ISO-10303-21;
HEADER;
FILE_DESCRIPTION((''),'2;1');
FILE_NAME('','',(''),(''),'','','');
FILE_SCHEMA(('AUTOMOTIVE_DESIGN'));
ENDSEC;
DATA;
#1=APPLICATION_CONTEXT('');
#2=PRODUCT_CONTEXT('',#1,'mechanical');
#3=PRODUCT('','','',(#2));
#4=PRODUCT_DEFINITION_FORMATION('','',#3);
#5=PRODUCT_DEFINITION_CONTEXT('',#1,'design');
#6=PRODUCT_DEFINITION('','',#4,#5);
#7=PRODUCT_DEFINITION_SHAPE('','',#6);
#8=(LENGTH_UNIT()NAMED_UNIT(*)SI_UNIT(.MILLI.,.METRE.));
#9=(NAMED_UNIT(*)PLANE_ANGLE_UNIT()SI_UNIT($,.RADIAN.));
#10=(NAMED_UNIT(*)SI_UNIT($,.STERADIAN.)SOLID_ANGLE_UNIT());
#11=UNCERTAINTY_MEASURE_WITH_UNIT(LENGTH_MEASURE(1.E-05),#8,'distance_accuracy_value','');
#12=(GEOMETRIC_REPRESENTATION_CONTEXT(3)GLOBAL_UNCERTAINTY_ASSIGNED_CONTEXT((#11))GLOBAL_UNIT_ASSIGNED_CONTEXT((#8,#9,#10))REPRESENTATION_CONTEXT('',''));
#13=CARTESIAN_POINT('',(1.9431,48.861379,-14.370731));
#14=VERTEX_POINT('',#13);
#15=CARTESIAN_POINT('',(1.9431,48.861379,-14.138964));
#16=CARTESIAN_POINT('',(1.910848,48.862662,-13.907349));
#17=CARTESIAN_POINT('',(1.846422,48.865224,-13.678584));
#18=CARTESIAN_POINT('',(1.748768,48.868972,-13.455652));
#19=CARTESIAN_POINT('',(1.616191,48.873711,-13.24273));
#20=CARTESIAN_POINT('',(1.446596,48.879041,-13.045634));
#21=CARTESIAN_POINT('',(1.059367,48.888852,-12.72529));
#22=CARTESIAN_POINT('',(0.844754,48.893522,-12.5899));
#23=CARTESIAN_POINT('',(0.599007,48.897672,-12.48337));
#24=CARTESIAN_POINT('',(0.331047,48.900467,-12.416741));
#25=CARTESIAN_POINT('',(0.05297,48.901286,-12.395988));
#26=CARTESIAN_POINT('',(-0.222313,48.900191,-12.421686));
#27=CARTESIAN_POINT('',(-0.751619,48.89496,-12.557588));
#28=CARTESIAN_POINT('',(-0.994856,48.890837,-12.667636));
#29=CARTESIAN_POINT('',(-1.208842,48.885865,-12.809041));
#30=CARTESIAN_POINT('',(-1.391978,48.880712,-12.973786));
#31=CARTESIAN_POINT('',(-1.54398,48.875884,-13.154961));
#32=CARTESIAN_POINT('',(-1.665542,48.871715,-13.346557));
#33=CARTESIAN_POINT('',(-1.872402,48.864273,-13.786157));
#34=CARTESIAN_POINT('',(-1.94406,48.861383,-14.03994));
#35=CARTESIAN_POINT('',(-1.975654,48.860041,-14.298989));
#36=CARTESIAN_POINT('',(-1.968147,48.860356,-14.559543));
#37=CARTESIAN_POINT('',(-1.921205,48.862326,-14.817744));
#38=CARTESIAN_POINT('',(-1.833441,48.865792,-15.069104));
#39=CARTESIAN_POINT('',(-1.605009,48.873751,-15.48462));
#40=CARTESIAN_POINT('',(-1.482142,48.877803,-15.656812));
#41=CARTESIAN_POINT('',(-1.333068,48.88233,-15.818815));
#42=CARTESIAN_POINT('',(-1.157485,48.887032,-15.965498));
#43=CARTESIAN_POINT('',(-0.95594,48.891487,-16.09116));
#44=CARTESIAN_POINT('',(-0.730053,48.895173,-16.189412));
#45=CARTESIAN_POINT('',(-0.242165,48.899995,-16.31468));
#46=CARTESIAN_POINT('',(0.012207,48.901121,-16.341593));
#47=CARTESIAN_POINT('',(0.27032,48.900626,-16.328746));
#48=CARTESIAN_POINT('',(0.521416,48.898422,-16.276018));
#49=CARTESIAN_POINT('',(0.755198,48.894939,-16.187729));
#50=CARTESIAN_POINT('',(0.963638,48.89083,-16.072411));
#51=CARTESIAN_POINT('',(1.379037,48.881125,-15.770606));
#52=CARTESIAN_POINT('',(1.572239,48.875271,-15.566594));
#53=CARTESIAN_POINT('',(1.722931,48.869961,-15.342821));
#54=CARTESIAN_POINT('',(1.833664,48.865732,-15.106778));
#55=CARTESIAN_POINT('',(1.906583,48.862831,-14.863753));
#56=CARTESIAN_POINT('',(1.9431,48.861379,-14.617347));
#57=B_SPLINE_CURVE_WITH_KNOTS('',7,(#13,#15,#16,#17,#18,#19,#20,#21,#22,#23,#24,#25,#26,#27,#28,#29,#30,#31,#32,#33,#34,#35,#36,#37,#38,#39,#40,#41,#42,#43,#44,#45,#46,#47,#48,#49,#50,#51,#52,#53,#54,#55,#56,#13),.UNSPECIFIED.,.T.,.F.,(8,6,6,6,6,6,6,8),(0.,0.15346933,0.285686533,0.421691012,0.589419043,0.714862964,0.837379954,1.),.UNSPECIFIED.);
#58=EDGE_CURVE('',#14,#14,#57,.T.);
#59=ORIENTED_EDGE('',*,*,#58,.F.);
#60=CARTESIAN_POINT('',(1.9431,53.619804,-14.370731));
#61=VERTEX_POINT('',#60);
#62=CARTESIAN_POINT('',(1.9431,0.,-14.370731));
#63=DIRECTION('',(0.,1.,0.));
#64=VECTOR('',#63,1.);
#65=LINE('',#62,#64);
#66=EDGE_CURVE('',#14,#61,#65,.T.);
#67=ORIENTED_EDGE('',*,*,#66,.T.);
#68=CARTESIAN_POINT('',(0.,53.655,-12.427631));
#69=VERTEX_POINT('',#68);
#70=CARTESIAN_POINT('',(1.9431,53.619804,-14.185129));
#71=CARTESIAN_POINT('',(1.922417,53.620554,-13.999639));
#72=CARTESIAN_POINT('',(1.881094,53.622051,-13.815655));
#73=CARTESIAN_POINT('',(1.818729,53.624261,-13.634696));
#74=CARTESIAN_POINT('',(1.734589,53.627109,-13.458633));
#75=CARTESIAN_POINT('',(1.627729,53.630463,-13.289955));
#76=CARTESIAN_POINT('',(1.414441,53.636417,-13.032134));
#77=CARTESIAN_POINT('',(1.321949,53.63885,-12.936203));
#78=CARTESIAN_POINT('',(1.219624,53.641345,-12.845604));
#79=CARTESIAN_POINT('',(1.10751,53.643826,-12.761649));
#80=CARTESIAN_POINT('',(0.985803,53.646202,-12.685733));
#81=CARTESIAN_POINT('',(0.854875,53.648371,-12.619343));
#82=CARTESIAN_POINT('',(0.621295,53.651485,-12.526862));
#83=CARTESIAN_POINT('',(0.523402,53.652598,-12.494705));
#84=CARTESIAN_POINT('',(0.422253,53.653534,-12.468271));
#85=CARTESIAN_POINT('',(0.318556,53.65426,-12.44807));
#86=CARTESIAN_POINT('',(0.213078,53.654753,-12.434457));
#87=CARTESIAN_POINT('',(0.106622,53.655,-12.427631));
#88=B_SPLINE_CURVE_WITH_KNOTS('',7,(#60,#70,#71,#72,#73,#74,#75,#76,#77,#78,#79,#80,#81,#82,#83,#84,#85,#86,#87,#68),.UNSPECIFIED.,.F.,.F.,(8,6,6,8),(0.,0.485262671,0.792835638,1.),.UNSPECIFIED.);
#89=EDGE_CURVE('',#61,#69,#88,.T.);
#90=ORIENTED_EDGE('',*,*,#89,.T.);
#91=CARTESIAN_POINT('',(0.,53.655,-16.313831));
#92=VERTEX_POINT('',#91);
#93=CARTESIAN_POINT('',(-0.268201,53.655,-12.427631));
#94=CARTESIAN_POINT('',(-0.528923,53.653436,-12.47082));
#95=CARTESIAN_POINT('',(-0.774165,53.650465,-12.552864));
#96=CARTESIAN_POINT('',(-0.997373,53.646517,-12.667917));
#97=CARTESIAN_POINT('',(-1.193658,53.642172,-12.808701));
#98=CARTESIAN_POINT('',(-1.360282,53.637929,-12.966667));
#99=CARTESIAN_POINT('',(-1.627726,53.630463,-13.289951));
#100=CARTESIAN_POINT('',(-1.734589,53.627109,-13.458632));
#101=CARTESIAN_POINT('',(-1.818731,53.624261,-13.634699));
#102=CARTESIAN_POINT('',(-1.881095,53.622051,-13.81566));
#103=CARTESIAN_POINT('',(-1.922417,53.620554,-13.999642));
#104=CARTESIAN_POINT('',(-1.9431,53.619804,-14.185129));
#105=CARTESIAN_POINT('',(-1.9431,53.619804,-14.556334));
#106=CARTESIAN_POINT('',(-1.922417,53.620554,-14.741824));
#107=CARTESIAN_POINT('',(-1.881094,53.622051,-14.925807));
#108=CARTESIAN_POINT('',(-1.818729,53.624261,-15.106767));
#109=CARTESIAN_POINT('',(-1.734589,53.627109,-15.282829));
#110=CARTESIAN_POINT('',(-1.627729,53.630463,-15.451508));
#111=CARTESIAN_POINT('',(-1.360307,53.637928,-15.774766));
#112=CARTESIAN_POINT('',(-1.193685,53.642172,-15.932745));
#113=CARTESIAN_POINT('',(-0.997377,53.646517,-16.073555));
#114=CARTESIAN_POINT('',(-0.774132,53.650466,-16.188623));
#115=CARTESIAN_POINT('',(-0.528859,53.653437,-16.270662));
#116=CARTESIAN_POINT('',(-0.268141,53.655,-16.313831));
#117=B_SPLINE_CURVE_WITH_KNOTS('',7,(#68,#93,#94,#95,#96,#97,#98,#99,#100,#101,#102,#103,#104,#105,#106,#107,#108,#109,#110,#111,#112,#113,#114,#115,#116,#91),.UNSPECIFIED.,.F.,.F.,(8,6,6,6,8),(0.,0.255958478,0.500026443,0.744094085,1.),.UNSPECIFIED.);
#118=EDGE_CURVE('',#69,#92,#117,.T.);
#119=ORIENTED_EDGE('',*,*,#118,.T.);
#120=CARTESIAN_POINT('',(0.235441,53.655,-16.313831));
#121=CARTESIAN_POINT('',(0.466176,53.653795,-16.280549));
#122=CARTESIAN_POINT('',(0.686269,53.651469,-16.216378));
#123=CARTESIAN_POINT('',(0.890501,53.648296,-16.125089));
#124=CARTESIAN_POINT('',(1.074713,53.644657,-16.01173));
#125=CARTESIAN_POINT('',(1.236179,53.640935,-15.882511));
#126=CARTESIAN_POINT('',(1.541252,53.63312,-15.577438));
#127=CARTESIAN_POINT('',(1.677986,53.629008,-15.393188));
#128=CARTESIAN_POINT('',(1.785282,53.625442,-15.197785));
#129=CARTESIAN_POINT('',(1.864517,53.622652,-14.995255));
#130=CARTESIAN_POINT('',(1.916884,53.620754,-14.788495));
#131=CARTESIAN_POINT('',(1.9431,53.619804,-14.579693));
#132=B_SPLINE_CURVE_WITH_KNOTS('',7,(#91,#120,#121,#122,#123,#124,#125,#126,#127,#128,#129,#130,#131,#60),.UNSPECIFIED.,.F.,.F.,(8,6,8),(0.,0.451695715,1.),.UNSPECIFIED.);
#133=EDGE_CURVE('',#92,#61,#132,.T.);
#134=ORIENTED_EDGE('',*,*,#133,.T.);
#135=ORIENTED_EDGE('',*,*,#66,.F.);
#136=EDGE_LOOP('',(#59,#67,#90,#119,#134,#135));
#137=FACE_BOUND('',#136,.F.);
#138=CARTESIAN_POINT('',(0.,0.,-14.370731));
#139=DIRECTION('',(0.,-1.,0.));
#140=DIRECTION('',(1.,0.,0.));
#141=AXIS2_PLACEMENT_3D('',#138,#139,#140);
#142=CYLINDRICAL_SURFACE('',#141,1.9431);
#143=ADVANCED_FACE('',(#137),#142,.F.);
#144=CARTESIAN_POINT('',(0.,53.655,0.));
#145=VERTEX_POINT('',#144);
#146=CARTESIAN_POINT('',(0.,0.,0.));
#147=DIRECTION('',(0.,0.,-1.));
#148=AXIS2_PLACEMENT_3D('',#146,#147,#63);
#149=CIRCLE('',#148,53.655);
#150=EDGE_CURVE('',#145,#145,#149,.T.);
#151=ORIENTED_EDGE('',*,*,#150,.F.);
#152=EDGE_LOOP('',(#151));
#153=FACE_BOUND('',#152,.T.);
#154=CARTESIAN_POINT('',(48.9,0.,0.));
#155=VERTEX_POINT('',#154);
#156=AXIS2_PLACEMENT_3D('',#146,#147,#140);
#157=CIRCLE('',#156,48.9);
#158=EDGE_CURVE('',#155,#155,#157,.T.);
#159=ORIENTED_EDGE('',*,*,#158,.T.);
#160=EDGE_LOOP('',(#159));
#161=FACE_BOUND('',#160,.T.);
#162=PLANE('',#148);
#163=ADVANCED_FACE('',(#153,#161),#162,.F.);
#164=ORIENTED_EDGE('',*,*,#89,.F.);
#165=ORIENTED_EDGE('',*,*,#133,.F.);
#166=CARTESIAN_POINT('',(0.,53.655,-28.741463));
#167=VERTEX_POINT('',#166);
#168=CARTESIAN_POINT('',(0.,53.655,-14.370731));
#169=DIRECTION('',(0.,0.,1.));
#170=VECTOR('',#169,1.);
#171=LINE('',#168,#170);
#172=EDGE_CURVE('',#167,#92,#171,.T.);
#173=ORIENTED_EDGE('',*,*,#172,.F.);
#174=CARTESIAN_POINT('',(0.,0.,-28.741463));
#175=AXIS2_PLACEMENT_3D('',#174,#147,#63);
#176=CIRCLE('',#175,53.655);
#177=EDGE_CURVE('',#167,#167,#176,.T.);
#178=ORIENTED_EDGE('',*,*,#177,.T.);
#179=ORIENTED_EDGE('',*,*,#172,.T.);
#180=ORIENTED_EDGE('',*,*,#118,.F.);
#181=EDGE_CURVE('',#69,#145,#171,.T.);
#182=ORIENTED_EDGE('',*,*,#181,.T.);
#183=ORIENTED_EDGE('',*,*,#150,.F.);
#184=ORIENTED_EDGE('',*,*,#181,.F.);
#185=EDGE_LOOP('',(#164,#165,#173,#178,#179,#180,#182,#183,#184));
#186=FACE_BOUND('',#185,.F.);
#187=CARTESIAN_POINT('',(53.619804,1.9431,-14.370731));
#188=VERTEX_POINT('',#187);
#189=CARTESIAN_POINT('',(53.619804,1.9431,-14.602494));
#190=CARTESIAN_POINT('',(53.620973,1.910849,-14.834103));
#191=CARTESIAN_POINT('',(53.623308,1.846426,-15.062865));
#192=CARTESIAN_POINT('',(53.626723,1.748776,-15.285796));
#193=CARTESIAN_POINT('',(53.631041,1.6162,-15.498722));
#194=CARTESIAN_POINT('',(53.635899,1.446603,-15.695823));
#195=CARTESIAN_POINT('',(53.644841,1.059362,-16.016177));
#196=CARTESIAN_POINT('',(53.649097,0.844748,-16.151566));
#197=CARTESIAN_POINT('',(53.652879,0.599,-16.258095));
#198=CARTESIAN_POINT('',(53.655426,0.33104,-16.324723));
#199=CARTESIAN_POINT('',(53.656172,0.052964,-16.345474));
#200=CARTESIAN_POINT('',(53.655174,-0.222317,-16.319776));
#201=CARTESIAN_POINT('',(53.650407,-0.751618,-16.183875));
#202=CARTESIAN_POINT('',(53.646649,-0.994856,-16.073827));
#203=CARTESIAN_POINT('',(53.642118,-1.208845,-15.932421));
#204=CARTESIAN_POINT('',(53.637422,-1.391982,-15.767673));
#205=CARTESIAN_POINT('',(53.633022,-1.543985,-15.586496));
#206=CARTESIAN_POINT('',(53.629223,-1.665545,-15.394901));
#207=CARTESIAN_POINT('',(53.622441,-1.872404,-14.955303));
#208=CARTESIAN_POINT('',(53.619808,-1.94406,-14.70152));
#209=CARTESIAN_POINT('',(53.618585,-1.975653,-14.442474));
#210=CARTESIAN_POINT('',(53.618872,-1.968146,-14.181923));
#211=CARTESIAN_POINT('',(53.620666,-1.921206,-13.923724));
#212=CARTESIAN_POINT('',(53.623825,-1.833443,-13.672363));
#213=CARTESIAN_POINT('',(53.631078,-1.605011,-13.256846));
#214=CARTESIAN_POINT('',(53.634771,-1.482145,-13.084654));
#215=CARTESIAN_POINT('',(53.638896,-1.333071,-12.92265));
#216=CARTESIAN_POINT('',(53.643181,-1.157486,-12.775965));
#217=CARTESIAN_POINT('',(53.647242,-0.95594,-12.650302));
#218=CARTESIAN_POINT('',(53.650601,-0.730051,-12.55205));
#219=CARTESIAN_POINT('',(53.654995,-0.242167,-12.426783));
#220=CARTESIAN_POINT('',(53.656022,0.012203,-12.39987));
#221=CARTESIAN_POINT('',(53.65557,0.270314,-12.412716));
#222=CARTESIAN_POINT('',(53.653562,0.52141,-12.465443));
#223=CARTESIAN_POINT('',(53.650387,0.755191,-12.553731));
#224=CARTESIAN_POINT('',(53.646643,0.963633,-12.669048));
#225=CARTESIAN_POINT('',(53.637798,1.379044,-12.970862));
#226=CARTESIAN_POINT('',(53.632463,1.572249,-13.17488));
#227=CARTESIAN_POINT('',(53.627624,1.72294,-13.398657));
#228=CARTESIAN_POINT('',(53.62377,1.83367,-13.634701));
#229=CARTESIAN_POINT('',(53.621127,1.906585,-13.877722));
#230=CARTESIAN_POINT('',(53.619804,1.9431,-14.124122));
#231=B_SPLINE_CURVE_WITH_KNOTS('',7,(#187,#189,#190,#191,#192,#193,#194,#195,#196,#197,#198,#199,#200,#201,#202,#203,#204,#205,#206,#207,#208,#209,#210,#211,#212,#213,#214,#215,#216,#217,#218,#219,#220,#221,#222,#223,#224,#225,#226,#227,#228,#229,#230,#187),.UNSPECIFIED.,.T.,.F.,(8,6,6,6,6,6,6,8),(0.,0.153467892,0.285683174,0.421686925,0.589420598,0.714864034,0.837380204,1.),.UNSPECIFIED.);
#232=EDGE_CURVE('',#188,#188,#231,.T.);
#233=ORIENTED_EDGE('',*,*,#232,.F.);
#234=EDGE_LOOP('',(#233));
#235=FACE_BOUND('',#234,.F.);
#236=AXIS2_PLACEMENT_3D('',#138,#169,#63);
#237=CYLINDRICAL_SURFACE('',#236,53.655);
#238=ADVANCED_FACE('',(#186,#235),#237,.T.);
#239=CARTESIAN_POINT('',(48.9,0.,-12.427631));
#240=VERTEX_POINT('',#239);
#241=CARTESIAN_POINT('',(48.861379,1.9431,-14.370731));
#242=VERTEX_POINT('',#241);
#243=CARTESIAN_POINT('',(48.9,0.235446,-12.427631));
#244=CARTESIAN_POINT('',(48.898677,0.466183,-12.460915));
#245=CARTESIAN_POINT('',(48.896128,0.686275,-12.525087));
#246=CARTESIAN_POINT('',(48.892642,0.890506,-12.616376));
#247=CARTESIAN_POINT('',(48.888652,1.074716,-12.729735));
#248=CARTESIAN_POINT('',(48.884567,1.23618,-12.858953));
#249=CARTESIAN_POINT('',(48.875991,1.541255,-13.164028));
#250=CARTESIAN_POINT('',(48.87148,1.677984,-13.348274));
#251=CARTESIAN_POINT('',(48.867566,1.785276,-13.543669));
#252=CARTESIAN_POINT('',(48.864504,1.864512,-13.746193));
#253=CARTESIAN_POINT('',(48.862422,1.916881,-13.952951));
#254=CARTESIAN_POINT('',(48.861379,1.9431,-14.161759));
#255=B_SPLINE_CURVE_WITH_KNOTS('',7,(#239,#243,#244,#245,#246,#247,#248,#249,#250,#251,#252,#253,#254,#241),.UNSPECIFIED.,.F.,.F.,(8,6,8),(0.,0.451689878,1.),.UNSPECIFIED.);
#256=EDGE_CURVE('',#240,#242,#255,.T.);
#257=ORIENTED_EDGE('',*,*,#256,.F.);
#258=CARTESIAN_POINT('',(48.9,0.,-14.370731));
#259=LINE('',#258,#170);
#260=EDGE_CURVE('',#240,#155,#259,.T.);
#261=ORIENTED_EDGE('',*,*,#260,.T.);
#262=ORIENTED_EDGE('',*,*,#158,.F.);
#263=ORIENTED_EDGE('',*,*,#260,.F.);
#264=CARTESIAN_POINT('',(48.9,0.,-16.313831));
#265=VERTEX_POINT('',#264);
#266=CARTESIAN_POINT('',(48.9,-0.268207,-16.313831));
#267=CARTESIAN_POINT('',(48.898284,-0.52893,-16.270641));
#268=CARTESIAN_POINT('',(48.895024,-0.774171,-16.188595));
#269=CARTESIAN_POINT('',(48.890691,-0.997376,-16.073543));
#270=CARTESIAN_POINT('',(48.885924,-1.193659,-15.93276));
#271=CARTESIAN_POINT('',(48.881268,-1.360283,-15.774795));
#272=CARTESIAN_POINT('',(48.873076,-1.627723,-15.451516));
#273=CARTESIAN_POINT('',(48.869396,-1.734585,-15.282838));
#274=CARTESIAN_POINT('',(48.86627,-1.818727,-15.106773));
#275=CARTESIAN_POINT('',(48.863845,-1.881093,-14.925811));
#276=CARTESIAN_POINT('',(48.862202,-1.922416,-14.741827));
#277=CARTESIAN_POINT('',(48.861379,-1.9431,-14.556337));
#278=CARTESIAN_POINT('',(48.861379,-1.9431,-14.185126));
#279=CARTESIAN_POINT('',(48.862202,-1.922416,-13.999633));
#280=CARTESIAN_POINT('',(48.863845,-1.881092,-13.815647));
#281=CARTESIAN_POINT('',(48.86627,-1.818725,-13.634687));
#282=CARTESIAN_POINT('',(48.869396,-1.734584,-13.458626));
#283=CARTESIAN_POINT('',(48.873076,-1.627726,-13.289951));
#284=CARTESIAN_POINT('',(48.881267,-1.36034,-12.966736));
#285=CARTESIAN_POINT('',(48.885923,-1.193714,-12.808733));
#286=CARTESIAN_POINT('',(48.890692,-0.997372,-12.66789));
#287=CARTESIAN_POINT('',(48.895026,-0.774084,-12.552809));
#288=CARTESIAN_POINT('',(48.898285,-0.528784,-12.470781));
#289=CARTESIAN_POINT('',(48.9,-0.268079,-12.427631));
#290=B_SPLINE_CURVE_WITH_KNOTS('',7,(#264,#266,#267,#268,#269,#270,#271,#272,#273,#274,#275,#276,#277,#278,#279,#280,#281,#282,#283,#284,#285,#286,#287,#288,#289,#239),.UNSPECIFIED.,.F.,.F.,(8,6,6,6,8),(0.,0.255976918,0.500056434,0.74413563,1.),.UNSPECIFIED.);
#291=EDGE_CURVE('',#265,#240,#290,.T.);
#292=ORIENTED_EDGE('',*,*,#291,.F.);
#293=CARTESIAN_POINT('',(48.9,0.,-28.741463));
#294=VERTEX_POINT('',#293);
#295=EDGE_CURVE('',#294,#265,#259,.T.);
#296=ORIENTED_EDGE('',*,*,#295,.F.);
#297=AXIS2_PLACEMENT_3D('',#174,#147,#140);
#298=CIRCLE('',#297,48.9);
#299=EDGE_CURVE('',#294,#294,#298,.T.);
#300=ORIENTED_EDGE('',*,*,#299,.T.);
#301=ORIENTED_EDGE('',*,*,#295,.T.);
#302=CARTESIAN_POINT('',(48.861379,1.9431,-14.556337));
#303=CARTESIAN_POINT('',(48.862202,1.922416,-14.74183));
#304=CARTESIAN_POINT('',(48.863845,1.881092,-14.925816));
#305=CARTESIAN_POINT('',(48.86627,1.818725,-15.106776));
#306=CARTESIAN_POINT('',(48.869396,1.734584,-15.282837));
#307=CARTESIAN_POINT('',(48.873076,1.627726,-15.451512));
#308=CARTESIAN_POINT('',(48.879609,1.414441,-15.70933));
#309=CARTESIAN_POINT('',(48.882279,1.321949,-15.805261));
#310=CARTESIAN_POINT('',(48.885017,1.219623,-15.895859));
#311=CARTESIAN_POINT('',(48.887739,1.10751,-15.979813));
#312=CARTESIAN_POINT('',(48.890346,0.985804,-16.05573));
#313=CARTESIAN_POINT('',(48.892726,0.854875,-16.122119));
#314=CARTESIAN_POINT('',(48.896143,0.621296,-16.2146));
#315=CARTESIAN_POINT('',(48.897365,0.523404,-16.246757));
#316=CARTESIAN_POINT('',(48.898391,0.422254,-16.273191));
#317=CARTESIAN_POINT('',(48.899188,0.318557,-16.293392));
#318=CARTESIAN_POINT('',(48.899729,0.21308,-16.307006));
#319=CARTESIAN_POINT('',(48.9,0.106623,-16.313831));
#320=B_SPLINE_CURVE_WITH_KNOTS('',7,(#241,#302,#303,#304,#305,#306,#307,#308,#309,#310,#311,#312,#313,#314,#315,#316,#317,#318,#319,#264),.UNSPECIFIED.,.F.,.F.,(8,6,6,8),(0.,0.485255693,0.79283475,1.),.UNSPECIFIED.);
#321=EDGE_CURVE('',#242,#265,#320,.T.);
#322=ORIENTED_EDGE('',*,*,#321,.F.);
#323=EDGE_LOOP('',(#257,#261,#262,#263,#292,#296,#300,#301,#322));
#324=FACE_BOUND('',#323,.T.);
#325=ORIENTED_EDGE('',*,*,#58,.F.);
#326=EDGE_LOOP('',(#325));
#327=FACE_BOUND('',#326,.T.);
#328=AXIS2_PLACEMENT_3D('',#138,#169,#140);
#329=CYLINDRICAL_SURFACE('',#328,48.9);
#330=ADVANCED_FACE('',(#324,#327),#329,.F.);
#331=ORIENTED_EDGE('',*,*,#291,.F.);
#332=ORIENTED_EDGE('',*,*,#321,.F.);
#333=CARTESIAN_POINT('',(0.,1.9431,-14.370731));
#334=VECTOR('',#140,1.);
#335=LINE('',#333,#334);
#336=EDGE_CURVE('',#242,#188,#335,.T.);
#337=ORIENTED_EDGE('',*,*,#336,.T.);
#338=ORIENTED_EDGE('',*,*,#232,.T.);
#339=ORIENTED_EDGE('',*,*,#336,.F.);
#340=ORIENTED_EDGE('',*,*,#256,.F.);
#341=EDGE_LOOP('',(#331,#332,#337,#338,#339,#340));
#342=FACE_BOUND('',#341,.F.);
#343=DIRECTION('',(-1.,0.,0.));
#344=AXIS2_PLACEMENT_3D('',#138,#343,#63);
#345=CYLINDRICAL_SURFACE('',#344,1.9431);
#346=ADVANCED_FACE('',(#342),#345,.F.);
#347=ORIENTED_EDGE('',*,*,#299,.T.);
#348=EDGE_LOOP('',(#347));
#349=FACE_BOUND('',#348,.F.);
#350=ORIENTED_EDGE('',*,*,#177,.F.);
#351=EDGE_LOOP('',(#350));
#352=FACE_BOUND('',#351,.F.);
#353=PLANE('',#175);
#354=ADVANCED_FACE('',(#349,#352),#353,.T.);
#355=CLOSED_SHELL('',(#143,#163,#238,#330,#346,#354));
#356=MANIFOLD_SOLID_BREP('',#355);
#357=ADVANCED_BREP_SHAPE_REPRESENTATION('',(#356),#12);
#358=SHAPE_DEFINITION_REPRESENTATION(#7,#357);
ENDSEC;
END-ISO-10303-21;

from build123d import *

# Parameters (mm, degrees)
F0_W     = 53.655
F0_H     = 28.74146271
F1_W     = 48.9
F1_H     = 28.74146271
F6_D     = 3.8862
F6_DEPTH = 53.656
F7_D     = 3.8862
F7_DEPTH = 53.6560001


with BuildPart() as f4:
    # F0 (on Right) → F4 (revolve)
    with BuildSketch(Plane.YZ):
        with Locations((26.8275, -14.370731355)):
            Rectangle(F0_W, F0_H)
    revolve(axis=Axis((0, 0, -14.370731355), (0, 0, -1)))

    # F1 (on Front) → F5 (revolve, cut)
    with BuildSketch(Plane.XZ):
        with Locations((24.45, -14.370731355)):
            Rectangle(F1_W, F1_H)
    revolve(axis=Axis((0, 0, -14.370731355), (0, 0, -1)), mode=Mode.SUBTRACT)

    # F6 (through all, one way)
    with BuildSketch(Plane(origin=(0, 0, 0), x_dir=(0, 1, 0), z_dir=(-1, 0, 0))):
        with Locations((0, 14.370731355)):
            Circle(F6_D / 2)
    extrude(amount=-F6_DEPTH, mode=Mode.SUBTRACT)

    # F7 (through all, one way)
    with BuildSketch(Plane.XZ):
        with Locations((0, -14.370731355)):
            Circle(F7_D / 2)
    extrude(amount=-F7_DEPTH, mode=Mode.SUBTRACT)


solid = f4.part
